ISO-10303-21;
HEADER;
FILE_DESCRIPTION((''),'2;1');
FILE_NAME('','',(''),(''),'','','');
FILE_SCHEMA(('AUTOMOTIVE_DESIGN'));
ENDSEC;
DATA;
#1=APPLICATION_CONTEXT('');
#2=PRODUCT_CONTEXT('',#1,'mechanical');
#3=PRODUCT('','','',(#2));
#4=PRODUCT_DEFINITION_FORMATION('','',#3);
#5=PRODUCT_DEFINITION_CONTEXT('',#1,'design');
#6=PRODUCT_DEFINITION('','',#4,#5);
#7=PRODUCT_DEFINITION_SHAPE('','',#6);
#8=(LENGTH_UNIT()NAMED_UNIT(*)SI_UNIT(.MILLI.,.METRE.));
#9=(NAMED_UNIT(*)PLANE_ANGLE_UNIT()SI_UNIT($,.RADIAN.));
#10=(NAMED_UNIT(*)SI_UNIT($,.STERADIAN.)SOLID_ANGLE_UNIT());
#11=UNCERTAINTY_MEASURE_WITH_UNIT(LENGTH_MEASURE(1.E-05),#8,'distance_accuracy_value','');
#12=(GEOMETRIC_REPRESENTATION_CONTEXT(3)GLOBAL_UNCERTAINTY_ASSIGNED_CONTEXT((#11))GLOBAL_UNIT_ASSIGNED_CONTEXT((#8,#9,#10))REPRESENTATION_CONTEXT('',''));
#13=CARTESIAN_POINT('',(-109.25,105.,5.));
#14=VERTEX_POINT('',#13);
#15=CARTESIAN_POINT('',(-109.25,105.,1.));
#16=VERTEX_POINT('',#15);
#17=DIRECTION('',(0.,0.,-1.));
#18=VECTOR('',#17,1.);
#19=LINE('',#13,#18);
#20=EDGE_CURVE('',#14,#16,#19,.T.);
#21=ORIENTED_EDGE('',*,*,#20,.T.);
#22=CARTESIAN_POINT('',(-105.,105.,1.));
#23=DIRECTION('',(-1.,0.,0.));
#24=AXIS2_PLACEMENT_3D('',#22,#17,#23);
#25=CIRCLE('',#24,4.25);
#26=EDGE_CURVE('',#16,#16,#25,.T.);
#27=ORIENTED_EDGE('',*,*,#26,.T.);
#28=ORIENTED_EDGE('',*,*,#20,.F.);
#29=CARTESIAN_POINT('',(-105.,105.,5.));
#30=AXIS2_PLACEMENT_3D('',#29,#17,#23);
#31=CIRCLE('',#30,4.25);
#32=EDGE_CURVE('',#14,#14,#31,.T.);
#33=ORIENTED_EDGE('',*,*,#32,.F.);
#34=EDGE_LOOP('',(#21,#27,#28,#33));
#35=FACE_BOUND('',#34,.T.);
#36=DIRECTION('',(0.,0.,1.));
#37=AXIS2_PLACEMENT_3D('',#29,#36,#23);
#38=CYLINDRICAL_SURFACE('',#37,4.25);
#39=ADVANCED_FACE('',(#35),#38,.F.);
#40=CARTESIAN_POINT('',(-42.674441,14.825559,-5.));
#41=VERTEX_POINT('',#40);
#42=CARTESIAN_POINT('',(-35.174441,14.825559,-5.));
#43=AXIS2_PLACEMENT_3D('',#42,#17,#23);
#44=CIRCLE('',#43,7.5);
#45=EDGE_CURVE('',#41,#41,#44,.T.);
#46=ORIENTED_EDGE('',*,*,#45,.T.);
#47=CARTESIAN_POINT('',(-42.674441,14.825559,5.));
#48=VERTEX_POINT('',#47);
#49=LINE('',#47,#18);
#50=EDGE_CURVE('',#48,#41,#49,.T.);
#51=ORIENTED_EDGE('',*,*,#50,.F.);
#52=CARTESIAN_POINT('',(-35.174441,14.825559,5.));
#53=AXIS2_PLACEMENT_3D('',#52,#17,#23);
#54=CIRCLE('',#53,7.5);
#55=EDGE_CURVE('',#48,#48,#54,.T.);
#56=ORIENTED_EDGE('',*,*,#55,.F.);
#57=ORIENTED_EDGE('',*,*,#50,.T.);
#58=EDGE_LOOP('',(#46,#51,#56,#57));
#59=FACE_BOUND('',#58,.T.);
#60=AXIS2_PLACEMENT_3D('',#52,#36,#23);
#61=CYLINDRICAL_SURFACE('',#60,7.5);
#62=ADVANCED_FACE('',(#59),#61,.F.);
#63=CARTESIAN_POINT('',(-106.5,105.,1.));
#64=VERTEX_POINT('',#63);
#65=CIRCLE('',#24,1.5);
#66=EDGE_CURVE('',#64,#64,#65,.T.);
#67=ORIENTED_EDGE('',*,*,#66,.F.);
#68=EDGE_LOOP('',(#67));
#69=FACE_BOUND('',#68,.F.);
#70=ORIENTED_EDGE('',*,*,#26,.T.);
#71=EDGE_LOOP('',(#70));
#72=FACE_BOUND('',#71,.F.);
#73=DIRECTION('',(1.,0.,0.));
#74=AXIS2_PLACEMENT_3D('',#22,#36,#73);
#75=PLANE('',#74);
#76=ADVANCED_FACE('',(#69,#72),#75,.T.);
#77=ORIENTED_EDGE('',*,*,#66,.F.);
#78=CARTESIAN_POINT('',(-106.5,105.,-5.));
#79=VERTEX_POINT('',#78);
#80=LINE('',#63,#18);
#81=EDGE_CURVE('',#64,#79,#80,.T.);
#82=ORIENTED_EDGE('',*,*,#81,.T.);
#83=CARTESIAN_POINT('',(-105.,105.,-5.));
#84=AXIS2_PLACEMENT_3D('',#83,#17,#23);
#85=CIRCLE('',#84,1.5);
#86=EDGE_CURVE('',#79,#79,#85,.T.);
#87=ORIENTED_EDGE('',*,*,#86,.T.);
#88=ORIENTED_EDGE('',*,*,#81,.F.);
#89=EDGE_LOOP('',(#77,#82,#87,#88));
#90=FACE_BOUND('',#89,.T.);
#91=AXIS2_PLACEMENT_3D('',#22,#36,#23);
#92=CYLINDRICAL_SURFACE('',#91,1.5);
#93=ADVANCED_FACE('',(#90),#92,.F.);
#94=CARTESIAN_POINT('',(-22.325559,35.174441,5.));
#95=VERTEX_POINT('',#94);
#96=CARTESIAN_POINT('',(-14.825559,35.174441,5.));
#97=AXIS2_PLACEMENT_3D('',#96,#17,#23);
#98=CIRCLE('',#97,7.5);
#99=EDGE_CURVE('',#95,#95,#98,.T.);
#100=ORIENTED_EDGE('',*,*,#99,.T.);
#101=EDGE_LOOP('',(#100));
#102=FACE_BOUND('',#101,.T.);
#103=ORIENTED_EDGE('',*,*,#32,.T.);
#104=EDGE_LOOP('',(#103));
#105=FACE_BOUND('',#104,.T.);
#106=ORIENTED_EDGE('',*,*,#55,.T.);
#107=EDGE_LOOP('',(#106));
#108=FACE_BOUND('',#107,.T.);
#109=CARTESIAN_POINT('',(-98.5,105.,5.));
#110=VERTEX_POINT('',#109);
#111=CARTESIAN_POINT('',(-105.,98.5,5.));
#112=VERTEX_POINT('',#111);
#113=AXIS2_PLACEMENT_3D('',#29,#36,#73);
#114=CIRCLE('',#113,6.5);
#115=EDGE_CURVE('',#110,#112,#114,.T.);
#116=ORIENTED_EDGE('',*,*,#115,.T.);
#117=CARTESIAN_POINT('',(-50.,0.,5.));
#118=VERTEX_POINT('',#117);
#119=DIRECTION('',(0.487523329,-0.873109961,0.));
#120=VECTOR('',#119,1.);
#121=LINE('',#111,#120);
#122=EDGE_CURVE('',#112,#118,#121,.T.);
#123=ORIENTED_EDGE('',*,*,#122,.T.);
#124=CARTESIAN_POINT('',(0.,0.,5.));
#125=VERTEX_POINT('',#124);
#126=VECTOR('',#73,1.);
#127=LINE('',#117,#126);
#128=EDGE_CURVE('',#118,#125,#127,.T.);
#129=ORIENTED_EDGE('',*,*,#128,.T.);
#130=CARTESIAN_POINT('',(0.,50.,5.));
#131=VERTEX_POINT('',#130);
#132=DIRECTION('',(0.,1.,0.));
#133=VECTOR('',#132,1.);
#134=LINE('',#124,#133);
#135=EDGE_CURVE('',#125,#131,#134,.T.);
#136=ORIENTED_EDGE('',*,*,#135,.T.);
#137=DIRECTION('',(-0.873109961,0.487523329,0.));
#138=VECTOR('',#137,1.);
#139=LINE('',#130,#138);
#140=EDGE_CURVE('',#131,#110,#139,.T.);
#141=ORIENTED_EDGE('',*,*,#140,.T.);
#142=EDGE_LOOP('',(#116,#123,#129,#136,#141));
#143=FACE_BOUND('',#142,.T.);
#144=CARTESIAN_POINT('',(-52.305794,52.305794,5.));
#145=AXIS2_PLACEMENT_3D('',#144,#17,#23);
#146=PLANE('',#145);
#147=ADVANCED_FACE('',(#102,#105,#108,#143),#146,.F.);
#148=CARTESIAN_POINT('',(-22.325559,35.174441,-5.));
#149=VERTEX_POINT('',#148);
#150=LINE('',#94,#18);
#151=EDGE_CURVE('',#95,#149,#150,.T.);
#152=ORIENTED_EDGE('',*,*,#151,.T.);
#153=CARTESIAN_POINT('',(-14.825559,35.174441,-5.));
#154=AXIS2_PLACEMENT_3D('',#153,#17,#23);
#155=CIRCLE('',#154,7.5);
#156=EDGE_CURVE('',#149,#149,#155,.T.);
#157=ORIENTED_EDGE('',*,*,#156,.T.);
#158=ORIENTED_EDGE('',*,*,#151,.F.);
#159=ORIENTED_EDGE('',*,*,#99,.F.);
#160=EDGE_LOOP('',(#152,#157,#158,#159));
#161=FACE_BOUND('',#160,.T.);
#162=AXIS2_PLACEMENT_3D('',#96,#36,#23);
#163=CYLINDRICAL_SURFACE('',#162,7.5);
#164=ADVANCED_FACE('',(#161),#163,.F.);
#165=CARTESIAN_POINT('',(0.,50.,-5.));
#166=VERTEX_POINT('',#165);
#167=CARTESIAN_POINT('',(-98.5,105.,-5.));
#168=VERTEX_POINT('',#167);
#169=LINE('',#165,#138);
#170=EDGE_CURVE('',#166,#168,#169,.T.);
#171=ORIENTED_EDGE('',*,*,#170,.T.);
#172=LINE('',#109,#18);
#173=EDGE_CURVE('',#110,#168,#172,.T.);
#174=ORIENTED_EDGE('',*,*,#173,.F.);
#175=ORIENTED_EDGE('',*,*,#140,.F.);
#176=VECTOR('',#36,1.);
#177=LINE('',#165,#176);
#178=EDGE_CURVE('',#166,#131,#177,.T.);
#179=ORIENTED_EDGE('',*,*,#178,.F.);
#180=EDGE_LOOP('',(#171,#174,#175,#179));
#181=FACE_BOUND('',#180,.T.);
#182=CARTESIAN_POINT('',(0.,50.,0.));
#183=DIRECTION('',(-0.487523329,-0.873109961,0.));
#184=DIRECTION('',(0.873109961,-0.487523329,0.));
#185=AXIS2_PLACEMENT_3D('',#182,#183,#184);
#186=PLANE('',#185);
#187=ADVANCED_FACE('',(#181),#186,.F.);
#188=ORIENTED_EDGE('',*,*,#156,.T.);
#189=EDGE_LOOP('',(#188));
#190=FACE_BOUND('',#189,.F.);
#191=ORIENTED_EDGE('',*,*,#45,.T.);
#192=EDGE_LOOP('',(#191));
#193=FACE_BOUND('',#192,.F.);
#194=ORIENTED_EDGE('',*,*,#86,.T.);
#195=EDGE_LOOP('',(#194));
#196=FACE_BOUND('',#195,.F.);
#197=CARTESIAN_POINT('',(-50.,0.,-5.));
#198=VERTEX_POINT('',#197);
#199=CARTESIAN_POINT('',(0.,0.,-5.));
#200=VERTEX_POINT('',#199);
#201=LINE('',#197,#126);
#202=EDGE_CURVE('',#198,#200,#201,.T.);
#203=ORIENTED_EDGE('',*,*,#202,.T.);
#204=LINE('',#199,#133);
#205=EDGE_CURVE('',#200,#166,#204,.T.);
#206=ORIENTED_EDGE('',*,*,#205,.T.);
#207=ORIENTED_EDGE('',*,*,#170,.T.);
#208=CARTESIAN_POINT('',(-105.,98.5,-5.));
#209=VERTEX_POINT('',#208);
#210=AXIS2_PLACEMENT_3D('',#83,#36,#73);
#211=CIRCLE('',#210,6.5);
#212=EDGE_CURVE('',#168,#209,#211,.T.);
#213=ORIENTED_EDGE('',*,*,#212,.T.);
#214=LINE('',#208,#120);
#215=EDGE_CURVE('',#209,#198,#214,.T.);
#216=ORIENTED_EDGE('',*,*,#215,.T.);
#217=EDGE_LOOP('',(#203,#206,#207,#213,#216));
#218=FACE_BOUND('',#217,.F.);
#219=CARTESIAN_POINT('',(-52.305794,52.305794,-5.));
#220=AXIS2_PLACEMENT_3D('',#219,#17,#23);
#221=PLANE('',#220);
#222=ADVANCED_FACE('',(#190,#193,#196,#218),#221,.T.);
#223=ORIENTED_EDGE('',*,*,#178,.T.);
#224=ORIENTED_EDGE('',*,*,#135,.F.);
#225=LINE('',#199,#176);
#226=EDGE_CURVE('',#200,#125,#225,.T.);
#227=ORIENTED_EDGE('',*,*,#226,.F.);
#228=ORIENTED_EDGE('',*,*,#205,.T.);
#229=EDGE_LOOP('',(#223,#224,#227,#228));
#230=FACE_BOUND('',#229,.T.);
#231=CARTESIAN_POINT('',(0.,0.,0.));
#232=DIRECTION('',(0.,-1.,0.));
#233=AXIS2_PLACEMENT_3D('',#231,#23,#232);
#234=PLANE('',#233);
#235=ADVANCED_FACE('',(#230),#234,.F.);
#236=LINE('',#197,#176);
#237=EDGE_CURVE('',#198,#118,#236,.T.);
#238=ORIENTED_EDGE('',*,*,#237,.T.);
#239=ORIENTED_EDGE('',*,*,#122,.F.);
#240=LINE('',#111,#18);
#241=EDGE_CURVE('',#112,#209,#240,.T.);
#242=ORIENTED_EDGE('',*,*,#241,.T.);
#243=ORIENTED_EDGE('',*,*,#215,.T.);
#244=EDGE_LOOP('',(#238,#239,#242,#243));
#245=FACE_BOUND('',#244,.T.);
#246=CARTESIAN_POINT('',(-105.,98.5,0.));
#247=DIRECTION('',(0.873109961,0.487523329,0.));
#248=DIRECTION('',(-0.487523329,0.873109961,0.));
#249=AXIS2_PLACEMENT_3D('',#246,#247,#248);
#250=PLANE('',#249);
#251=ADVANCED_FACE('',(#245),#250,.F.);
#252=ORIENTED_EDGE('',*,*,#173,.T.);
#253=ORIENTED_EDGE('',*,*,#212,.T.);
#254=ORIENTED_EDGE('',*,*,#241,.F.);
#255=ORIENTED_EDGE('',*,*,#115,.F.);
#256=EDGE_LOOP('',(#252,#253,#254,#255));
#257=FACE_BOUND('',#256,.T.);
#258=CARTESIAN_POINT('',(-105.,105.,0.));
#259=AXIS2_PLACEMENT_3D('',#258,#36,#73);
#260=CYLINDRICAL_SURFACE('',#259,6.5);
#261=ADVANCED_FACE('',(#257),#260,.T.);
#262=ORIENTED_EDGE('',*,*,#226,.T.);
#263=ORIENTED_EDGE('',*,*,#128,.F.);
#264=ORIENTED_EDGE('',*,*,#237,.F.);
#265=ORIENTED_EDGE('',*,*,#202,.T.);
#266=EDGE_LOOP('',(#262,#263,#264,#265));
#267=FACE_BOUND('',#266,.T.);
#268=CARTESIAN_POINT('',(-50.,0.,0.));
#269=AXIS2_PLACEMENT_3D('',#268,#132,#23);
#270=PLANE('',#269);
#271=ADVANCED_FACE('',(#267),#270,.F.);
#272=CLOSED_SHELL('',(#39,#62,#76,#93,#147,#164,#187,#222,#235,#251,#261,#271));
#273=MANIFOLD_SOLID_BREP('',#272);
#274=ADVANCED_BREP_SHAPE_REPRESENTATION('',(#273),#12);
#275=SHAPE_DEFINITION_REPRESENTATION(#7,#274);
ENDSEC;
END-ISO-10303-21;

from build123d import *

# Parameters (mm, degrees)
RESSALTO_EXTRUS_O2_DEPTH = 5
ESBO_O4_R                = 4.25
CORTE_EXTRUS_O1_DEPTH    = 4
ESBO_O5_R                = 1.5
CORTE_EXTRUS_O2_DEPTH    = 7
ESBO_O6_R                = 7.5
CORTE_EXTRUS_O3_DEPTH    = 11


with BuildPart() as part:
    # Esboço3 → Ressalto-extrusão2 (new body, symmetric)
    with BuildSketch(Plane.XY):
        with BuildLine():
            Line((0, 50), (98.5, 105))
            ThreePointArc((98.5, 105), (109.596194078, 109.596194078), (105, 98.5))
            Line((105, 98.5), (50, 0))
            Line((50, 0), (0, 0))
            Line((0, 0), (0, 50))
        make_face()
    extrude(amount=RESSALTO_EXTRUS_O2_DEPTH, both=True)

    # Esboço4 → Corte-extrusão1 (cut)
    with BuildSketch(Plane.XY.offset(5)):
        with Locations((105, 105)):
            Circle(ESBO_O4_R)
    extrude(amount=-CORTE_EXTRUS_O1_DEPTH, mode=Mode.SUBTRACT)

    # Esboço5 → Corte-extrusão2 (cut, through all)
    with BuildSketch(Plane.XY.offset(1)):
        with Locations((105, 105)):
            Circle(ESBO_O5_R)
    extrude(amount=-CORTE_EXTRUS_O2_DEPTH, mode=Mode.SUBTRACT)

    # Esboço6 → Corte-extrusão3 (cut, through all)
    with BuildSketch(Plane.XY.offset(5)):
        with Locations((14.825558834, 35.174441166)):
            Circle(ESBO_O6_R)
        with Locations((35.174441166, 14.825558834)):
            Circle(ESBO_O6_R)
    extrude(amount=-CORTE_EXTRUS_O3_DEPTH, mode=Mode.SUBTRACT)


with BuildPart() as body_2:
    # Espelhar1: mirrored copy
    add(part.part.mirror(Plane(origin=(0, 0, 5), x_dir=(0, 0, 1), z_dir=(0, 1, 0))))


with BuildPart() as body_3:
    # Espelhar2: mirrored copy
    add(body_2.part.mirror(Plane(origin=(0, 0, 5), x_dir=(0, 0, 1), z_dir=(1, 0, 0))))


with BuildPart() as body_4:
    # Espelhar2 2: mirrored copy
    add(part.part.mirror(Plane(origin=(0, 0, 5), x_dir=(0, 0, 1), z_dir=(1, 0, 0))))


solid = body_4.part
